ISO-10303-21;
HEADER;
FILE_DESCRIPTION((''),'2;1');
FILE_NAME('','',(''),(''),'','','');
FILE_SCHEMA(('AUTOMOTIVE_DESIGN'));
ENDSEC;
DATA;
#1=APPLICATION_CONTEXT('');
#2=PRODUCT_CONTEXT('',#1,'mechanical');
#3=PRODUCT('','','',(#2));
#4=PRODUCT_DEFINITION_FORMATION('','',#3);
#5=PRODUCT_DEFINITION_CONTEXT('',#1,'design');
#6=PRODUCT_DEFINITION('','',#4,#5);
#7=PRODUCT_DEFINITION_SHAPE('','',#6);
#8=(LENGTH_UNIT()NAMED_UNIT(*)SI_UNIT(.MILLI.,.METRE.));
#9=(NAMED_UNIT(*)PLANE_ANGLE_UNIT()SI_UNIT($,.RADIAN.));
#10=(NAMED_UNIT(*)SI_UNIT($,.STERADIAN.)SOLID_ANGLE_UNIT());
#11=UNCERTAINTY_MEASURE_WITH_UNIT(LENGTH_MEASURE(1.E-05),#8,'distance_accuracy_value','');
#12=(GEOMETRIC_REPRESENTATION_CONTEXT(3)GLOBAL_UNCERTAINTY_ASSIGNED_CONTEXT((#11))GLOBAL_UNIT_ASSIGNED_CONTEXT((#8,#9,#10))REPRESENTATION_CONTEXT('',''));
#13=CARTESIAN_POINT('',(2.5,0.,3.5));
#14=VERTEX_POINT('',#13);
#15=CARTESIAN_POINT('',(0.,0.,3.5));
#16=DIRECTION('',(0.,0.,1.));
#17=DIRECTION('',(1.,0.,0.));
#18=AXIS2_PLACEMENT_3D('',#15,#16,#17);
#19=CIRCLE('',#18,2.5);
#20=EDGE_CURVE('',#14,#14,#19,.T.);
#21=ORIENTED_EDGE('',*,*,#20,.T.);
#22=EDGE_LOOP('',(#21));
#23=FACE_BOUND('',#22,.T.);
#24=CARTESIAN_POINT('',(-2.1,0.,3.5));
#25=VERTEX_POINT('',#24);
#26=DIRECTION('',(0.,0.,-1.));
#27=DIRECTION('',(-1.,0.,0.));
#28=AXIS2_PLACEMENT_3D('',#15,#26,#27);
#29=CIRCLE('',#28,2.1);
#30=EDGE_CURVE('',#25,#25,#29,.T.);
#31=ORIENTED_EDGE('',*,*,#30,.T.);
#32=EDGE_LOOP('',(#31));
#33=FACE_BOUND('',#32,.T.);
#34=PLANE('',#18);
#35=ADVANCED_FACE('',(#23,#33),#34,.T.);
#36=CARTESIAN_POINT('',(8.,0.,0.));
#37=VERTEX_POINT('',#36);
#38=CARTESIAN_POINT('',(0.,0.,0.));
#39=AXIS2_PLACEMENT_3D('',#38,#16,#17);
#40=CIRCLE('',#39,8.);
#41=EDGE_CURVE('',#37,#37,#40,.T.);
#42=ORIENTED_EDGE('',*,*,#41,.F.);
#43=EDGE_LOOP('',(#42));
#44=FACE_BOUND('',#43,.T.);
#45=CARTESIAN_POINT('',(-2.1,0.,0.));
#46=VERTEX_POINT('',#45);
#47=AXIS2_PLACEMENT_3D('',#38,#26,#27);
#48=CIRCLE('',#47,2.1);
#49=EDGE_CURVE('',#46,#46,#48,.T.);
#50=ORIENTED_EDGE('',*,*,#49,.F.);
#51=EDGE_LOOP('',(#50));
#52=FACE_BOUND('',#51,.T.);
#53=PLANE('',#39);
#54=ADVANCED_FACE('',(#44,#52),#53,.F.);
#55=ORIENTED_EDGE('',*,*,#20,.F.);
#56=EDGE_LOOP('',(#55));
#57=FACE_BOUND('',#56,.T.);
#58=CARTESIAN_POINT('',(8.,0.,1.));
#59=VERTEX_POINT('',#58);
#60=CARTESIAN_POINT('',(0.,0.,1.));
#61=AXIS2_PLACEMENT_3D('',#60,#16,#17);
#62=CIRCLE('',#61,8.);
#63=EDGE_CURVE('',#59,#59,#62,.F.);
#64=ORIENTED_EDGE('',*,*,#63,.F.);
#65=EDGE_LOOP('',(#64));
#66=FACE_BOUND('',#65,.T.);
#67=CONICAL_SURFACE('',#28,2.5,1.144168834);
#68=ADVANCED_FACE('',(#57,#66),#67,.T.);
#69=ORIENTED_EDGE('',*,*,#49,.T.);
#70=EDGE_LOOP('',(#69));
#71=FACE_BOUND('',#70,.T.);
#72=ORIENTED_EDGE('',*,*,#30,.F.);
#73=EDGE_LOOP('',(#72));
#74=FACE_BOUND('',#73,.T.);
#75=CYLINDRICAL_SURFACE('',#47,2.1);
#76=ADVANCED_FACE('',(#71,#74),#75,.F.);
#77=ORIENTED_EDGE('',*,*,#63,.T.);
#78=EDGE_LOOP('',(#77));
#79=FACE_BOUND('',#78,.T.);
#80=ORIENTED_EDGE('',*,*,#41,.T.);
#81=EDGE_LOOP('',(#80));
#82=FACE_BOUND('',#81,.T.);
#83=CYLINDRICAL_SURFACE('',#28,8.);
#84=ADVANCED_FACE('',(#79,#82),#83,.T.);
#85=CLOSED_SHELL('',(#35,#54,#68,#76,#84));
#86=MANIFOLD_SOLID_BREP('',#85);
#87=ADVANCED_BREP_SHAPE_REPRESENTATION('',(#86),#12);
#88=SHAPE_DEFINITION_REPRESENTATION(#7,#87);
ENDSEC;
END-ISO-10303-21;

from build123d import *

# Parameters (mm, degrees)
SKETCH1_R                   = 8
BOSS_EXTRUDE1_DEPTH         = 3.5
CHAMFER1_SIZE               = 2.5
CHAMFER1_SIZE2              = 5.5
TAP_DRILL_FOR_M5X0_8_TAP1_D = 4.2


with BuildPart() as part:
    # Sketch1 → Boss-Extrude1 (new body)
    with BuildSketch(Plane.XY):
        Circle(SKETCH1_R)
    extrude(amount=BOSS_EXTRUDE1_DEPTH)

    # Chamfer1
    chamfer1_edges = [part.edges().sort_by_distance(p)[0] for p in [
        (-8, 0, 3.5),
    ]]
    chamfer1_side = [part.faces().sort_by_distance(p)[0] for p in [
        (-8, 0, 1.75),
    ]]
    chamfer(chamfer1_edges, length=CHAMFER1_SIZE, length2=CHAMFER1_SIZE2, reference=chamfer1_side[0])

    # Tap Drill for M5x0.8 Tap1 (through all)
    with Locations(Plane(origin=(0, 0, 0), x_dir=(-1, 0, 0), z_dir=(0, 0, -1))):
        with Locations((0, 0)):
            Hole(TAP_DRILL_FOR_M5X0_8_TAP1_D / 2)


solid = part.part
